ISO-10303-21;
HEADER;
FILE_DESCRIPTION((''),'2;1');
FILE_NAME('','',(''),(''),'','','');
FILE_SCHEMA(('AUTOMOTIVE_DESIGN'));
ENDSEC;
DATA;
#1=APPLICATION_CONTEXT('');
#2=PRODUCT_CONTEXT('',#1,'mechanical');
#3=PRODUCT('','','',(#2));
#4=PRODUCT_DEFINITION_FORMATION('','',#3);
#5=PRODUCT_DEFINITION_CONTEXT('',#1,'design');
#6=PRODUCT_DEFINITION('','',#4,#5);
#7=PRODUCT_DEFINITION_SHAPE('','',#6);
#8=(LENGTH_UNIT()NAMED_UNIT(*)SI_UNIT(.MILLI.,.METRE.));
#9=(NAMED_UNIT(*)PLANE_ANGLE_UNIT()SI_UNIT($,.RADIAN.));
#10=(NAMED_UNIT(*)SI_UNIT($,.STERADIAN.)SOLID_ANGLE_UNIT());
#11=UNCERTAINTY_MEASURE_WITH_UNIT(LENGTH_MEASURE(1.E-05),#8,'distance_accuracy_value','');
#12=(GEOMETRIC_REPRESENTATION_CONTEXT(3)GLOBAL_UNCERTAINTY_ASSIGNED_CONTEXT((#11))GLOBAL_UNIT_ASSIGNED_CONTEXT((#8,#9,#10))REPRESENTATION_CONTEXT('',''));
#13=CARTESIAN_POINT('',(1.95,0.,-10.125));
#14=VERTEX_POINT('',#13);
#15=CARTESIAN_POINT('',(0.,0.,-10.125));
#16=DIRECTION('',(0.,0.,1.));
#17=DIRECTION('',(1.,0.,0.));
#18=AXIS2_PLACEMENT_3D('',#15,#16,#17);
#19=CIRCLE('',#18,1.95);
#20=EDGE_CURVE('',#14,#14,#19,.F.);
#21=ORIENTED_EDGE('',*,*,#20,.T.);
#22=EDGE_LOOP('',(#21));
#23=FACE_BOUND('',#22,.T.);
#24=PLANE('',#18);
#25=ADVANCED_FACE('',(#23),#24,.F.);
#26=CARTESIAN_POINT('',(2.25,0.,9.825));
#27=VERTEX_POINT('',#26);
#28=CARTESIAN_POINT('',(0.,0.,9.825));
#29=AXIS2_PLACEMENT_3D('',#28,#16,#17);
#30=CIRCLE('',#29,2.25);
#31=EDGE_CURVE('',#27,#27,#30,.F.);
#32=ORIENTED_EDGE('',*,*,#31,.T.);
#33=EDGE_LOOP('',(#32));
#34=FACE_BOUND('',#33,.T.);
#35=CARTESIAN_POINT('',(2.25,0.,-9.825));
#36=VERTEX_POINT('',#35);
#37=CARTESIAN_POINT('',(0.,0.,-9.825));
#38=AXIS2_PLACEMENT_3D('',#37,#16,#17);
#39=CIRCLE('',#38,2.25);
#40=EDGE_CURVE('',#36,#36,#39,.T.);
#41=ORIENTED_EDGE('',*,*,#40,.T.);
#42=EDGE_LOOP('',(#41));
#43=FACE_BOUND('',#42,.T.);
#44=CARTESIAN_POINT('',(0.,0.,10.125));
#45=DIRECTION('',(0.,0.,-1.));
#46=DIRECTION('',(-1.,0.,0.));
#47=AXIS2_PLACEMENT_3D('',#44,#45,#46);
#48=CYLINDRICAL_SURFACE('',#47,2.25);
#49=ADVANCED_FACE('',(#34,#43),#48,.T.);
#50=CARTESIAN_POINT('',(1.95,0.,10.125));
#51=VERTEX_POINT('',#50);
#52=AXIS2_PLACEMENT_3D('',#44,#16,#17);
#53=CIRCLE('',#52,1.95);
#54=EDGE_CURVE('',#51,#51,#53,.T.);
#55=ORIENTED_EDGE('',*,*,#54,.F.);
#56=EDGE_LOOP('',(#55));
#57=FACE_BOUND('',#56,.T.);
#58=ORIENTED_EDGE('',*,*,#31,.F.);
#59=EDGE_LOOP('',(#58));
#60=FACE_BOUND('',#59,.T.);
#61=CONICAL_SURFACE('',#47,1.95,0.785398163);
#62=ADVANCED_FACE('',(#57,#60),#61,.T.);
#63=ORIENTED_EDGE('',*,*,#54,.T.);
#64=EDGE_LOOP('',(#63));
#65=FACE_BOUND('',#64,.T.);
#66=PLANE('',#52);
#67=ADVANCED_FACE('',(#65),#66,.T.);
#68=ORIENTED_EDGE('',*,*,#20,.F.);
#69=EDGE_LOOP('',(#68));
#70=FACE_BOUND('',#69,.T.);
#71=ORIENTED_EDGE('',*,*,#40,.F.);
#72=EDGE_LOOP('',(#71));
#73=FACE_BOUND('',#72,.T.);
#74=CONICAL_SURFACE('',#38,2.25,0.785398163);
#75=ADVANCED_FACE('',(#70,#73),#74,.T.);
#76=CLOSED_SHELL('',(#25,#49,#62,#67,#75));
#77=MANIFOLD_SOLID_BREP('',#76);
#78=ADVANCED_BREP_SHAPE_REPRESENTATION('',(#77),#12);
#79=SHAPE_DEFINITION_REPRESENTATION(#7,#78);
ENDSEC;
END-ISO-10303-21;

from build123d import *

# Parameters (mm, degrees)
SKETCH1_R           = 1.5
BOSS_EXTRUDE1_DEPTH = 6.75
CHAMFER1_SIZE       = 0.2
SCALE1_SCALE        = 1.5


with BuildPart() as part:
    # Sketch1 → Boss-Extrude1 (new, symmetric)
    with BuildSketch(Plane.XY):
        Circle(SKETCH1_R)
    extrude(amount=BOSS_EXTRUDE1_DEPTH, both=True)

    # Chamfer1
    chamfer1_edges = [part.edges().sort_by_distance(p)[0] for p in [
        (-1.5, 0, -6.75),
        (-1.5, 0, 6.75),
    ]]
    chamfer(chamfer1_edges, length=CHAMFER1_SIZE)


with BuildPart() as part_1:
    # Scale1: scaled about (0, 0, 0)
    add(part.part.scale(SCALE1_SCALE))


solid = part_1.part
